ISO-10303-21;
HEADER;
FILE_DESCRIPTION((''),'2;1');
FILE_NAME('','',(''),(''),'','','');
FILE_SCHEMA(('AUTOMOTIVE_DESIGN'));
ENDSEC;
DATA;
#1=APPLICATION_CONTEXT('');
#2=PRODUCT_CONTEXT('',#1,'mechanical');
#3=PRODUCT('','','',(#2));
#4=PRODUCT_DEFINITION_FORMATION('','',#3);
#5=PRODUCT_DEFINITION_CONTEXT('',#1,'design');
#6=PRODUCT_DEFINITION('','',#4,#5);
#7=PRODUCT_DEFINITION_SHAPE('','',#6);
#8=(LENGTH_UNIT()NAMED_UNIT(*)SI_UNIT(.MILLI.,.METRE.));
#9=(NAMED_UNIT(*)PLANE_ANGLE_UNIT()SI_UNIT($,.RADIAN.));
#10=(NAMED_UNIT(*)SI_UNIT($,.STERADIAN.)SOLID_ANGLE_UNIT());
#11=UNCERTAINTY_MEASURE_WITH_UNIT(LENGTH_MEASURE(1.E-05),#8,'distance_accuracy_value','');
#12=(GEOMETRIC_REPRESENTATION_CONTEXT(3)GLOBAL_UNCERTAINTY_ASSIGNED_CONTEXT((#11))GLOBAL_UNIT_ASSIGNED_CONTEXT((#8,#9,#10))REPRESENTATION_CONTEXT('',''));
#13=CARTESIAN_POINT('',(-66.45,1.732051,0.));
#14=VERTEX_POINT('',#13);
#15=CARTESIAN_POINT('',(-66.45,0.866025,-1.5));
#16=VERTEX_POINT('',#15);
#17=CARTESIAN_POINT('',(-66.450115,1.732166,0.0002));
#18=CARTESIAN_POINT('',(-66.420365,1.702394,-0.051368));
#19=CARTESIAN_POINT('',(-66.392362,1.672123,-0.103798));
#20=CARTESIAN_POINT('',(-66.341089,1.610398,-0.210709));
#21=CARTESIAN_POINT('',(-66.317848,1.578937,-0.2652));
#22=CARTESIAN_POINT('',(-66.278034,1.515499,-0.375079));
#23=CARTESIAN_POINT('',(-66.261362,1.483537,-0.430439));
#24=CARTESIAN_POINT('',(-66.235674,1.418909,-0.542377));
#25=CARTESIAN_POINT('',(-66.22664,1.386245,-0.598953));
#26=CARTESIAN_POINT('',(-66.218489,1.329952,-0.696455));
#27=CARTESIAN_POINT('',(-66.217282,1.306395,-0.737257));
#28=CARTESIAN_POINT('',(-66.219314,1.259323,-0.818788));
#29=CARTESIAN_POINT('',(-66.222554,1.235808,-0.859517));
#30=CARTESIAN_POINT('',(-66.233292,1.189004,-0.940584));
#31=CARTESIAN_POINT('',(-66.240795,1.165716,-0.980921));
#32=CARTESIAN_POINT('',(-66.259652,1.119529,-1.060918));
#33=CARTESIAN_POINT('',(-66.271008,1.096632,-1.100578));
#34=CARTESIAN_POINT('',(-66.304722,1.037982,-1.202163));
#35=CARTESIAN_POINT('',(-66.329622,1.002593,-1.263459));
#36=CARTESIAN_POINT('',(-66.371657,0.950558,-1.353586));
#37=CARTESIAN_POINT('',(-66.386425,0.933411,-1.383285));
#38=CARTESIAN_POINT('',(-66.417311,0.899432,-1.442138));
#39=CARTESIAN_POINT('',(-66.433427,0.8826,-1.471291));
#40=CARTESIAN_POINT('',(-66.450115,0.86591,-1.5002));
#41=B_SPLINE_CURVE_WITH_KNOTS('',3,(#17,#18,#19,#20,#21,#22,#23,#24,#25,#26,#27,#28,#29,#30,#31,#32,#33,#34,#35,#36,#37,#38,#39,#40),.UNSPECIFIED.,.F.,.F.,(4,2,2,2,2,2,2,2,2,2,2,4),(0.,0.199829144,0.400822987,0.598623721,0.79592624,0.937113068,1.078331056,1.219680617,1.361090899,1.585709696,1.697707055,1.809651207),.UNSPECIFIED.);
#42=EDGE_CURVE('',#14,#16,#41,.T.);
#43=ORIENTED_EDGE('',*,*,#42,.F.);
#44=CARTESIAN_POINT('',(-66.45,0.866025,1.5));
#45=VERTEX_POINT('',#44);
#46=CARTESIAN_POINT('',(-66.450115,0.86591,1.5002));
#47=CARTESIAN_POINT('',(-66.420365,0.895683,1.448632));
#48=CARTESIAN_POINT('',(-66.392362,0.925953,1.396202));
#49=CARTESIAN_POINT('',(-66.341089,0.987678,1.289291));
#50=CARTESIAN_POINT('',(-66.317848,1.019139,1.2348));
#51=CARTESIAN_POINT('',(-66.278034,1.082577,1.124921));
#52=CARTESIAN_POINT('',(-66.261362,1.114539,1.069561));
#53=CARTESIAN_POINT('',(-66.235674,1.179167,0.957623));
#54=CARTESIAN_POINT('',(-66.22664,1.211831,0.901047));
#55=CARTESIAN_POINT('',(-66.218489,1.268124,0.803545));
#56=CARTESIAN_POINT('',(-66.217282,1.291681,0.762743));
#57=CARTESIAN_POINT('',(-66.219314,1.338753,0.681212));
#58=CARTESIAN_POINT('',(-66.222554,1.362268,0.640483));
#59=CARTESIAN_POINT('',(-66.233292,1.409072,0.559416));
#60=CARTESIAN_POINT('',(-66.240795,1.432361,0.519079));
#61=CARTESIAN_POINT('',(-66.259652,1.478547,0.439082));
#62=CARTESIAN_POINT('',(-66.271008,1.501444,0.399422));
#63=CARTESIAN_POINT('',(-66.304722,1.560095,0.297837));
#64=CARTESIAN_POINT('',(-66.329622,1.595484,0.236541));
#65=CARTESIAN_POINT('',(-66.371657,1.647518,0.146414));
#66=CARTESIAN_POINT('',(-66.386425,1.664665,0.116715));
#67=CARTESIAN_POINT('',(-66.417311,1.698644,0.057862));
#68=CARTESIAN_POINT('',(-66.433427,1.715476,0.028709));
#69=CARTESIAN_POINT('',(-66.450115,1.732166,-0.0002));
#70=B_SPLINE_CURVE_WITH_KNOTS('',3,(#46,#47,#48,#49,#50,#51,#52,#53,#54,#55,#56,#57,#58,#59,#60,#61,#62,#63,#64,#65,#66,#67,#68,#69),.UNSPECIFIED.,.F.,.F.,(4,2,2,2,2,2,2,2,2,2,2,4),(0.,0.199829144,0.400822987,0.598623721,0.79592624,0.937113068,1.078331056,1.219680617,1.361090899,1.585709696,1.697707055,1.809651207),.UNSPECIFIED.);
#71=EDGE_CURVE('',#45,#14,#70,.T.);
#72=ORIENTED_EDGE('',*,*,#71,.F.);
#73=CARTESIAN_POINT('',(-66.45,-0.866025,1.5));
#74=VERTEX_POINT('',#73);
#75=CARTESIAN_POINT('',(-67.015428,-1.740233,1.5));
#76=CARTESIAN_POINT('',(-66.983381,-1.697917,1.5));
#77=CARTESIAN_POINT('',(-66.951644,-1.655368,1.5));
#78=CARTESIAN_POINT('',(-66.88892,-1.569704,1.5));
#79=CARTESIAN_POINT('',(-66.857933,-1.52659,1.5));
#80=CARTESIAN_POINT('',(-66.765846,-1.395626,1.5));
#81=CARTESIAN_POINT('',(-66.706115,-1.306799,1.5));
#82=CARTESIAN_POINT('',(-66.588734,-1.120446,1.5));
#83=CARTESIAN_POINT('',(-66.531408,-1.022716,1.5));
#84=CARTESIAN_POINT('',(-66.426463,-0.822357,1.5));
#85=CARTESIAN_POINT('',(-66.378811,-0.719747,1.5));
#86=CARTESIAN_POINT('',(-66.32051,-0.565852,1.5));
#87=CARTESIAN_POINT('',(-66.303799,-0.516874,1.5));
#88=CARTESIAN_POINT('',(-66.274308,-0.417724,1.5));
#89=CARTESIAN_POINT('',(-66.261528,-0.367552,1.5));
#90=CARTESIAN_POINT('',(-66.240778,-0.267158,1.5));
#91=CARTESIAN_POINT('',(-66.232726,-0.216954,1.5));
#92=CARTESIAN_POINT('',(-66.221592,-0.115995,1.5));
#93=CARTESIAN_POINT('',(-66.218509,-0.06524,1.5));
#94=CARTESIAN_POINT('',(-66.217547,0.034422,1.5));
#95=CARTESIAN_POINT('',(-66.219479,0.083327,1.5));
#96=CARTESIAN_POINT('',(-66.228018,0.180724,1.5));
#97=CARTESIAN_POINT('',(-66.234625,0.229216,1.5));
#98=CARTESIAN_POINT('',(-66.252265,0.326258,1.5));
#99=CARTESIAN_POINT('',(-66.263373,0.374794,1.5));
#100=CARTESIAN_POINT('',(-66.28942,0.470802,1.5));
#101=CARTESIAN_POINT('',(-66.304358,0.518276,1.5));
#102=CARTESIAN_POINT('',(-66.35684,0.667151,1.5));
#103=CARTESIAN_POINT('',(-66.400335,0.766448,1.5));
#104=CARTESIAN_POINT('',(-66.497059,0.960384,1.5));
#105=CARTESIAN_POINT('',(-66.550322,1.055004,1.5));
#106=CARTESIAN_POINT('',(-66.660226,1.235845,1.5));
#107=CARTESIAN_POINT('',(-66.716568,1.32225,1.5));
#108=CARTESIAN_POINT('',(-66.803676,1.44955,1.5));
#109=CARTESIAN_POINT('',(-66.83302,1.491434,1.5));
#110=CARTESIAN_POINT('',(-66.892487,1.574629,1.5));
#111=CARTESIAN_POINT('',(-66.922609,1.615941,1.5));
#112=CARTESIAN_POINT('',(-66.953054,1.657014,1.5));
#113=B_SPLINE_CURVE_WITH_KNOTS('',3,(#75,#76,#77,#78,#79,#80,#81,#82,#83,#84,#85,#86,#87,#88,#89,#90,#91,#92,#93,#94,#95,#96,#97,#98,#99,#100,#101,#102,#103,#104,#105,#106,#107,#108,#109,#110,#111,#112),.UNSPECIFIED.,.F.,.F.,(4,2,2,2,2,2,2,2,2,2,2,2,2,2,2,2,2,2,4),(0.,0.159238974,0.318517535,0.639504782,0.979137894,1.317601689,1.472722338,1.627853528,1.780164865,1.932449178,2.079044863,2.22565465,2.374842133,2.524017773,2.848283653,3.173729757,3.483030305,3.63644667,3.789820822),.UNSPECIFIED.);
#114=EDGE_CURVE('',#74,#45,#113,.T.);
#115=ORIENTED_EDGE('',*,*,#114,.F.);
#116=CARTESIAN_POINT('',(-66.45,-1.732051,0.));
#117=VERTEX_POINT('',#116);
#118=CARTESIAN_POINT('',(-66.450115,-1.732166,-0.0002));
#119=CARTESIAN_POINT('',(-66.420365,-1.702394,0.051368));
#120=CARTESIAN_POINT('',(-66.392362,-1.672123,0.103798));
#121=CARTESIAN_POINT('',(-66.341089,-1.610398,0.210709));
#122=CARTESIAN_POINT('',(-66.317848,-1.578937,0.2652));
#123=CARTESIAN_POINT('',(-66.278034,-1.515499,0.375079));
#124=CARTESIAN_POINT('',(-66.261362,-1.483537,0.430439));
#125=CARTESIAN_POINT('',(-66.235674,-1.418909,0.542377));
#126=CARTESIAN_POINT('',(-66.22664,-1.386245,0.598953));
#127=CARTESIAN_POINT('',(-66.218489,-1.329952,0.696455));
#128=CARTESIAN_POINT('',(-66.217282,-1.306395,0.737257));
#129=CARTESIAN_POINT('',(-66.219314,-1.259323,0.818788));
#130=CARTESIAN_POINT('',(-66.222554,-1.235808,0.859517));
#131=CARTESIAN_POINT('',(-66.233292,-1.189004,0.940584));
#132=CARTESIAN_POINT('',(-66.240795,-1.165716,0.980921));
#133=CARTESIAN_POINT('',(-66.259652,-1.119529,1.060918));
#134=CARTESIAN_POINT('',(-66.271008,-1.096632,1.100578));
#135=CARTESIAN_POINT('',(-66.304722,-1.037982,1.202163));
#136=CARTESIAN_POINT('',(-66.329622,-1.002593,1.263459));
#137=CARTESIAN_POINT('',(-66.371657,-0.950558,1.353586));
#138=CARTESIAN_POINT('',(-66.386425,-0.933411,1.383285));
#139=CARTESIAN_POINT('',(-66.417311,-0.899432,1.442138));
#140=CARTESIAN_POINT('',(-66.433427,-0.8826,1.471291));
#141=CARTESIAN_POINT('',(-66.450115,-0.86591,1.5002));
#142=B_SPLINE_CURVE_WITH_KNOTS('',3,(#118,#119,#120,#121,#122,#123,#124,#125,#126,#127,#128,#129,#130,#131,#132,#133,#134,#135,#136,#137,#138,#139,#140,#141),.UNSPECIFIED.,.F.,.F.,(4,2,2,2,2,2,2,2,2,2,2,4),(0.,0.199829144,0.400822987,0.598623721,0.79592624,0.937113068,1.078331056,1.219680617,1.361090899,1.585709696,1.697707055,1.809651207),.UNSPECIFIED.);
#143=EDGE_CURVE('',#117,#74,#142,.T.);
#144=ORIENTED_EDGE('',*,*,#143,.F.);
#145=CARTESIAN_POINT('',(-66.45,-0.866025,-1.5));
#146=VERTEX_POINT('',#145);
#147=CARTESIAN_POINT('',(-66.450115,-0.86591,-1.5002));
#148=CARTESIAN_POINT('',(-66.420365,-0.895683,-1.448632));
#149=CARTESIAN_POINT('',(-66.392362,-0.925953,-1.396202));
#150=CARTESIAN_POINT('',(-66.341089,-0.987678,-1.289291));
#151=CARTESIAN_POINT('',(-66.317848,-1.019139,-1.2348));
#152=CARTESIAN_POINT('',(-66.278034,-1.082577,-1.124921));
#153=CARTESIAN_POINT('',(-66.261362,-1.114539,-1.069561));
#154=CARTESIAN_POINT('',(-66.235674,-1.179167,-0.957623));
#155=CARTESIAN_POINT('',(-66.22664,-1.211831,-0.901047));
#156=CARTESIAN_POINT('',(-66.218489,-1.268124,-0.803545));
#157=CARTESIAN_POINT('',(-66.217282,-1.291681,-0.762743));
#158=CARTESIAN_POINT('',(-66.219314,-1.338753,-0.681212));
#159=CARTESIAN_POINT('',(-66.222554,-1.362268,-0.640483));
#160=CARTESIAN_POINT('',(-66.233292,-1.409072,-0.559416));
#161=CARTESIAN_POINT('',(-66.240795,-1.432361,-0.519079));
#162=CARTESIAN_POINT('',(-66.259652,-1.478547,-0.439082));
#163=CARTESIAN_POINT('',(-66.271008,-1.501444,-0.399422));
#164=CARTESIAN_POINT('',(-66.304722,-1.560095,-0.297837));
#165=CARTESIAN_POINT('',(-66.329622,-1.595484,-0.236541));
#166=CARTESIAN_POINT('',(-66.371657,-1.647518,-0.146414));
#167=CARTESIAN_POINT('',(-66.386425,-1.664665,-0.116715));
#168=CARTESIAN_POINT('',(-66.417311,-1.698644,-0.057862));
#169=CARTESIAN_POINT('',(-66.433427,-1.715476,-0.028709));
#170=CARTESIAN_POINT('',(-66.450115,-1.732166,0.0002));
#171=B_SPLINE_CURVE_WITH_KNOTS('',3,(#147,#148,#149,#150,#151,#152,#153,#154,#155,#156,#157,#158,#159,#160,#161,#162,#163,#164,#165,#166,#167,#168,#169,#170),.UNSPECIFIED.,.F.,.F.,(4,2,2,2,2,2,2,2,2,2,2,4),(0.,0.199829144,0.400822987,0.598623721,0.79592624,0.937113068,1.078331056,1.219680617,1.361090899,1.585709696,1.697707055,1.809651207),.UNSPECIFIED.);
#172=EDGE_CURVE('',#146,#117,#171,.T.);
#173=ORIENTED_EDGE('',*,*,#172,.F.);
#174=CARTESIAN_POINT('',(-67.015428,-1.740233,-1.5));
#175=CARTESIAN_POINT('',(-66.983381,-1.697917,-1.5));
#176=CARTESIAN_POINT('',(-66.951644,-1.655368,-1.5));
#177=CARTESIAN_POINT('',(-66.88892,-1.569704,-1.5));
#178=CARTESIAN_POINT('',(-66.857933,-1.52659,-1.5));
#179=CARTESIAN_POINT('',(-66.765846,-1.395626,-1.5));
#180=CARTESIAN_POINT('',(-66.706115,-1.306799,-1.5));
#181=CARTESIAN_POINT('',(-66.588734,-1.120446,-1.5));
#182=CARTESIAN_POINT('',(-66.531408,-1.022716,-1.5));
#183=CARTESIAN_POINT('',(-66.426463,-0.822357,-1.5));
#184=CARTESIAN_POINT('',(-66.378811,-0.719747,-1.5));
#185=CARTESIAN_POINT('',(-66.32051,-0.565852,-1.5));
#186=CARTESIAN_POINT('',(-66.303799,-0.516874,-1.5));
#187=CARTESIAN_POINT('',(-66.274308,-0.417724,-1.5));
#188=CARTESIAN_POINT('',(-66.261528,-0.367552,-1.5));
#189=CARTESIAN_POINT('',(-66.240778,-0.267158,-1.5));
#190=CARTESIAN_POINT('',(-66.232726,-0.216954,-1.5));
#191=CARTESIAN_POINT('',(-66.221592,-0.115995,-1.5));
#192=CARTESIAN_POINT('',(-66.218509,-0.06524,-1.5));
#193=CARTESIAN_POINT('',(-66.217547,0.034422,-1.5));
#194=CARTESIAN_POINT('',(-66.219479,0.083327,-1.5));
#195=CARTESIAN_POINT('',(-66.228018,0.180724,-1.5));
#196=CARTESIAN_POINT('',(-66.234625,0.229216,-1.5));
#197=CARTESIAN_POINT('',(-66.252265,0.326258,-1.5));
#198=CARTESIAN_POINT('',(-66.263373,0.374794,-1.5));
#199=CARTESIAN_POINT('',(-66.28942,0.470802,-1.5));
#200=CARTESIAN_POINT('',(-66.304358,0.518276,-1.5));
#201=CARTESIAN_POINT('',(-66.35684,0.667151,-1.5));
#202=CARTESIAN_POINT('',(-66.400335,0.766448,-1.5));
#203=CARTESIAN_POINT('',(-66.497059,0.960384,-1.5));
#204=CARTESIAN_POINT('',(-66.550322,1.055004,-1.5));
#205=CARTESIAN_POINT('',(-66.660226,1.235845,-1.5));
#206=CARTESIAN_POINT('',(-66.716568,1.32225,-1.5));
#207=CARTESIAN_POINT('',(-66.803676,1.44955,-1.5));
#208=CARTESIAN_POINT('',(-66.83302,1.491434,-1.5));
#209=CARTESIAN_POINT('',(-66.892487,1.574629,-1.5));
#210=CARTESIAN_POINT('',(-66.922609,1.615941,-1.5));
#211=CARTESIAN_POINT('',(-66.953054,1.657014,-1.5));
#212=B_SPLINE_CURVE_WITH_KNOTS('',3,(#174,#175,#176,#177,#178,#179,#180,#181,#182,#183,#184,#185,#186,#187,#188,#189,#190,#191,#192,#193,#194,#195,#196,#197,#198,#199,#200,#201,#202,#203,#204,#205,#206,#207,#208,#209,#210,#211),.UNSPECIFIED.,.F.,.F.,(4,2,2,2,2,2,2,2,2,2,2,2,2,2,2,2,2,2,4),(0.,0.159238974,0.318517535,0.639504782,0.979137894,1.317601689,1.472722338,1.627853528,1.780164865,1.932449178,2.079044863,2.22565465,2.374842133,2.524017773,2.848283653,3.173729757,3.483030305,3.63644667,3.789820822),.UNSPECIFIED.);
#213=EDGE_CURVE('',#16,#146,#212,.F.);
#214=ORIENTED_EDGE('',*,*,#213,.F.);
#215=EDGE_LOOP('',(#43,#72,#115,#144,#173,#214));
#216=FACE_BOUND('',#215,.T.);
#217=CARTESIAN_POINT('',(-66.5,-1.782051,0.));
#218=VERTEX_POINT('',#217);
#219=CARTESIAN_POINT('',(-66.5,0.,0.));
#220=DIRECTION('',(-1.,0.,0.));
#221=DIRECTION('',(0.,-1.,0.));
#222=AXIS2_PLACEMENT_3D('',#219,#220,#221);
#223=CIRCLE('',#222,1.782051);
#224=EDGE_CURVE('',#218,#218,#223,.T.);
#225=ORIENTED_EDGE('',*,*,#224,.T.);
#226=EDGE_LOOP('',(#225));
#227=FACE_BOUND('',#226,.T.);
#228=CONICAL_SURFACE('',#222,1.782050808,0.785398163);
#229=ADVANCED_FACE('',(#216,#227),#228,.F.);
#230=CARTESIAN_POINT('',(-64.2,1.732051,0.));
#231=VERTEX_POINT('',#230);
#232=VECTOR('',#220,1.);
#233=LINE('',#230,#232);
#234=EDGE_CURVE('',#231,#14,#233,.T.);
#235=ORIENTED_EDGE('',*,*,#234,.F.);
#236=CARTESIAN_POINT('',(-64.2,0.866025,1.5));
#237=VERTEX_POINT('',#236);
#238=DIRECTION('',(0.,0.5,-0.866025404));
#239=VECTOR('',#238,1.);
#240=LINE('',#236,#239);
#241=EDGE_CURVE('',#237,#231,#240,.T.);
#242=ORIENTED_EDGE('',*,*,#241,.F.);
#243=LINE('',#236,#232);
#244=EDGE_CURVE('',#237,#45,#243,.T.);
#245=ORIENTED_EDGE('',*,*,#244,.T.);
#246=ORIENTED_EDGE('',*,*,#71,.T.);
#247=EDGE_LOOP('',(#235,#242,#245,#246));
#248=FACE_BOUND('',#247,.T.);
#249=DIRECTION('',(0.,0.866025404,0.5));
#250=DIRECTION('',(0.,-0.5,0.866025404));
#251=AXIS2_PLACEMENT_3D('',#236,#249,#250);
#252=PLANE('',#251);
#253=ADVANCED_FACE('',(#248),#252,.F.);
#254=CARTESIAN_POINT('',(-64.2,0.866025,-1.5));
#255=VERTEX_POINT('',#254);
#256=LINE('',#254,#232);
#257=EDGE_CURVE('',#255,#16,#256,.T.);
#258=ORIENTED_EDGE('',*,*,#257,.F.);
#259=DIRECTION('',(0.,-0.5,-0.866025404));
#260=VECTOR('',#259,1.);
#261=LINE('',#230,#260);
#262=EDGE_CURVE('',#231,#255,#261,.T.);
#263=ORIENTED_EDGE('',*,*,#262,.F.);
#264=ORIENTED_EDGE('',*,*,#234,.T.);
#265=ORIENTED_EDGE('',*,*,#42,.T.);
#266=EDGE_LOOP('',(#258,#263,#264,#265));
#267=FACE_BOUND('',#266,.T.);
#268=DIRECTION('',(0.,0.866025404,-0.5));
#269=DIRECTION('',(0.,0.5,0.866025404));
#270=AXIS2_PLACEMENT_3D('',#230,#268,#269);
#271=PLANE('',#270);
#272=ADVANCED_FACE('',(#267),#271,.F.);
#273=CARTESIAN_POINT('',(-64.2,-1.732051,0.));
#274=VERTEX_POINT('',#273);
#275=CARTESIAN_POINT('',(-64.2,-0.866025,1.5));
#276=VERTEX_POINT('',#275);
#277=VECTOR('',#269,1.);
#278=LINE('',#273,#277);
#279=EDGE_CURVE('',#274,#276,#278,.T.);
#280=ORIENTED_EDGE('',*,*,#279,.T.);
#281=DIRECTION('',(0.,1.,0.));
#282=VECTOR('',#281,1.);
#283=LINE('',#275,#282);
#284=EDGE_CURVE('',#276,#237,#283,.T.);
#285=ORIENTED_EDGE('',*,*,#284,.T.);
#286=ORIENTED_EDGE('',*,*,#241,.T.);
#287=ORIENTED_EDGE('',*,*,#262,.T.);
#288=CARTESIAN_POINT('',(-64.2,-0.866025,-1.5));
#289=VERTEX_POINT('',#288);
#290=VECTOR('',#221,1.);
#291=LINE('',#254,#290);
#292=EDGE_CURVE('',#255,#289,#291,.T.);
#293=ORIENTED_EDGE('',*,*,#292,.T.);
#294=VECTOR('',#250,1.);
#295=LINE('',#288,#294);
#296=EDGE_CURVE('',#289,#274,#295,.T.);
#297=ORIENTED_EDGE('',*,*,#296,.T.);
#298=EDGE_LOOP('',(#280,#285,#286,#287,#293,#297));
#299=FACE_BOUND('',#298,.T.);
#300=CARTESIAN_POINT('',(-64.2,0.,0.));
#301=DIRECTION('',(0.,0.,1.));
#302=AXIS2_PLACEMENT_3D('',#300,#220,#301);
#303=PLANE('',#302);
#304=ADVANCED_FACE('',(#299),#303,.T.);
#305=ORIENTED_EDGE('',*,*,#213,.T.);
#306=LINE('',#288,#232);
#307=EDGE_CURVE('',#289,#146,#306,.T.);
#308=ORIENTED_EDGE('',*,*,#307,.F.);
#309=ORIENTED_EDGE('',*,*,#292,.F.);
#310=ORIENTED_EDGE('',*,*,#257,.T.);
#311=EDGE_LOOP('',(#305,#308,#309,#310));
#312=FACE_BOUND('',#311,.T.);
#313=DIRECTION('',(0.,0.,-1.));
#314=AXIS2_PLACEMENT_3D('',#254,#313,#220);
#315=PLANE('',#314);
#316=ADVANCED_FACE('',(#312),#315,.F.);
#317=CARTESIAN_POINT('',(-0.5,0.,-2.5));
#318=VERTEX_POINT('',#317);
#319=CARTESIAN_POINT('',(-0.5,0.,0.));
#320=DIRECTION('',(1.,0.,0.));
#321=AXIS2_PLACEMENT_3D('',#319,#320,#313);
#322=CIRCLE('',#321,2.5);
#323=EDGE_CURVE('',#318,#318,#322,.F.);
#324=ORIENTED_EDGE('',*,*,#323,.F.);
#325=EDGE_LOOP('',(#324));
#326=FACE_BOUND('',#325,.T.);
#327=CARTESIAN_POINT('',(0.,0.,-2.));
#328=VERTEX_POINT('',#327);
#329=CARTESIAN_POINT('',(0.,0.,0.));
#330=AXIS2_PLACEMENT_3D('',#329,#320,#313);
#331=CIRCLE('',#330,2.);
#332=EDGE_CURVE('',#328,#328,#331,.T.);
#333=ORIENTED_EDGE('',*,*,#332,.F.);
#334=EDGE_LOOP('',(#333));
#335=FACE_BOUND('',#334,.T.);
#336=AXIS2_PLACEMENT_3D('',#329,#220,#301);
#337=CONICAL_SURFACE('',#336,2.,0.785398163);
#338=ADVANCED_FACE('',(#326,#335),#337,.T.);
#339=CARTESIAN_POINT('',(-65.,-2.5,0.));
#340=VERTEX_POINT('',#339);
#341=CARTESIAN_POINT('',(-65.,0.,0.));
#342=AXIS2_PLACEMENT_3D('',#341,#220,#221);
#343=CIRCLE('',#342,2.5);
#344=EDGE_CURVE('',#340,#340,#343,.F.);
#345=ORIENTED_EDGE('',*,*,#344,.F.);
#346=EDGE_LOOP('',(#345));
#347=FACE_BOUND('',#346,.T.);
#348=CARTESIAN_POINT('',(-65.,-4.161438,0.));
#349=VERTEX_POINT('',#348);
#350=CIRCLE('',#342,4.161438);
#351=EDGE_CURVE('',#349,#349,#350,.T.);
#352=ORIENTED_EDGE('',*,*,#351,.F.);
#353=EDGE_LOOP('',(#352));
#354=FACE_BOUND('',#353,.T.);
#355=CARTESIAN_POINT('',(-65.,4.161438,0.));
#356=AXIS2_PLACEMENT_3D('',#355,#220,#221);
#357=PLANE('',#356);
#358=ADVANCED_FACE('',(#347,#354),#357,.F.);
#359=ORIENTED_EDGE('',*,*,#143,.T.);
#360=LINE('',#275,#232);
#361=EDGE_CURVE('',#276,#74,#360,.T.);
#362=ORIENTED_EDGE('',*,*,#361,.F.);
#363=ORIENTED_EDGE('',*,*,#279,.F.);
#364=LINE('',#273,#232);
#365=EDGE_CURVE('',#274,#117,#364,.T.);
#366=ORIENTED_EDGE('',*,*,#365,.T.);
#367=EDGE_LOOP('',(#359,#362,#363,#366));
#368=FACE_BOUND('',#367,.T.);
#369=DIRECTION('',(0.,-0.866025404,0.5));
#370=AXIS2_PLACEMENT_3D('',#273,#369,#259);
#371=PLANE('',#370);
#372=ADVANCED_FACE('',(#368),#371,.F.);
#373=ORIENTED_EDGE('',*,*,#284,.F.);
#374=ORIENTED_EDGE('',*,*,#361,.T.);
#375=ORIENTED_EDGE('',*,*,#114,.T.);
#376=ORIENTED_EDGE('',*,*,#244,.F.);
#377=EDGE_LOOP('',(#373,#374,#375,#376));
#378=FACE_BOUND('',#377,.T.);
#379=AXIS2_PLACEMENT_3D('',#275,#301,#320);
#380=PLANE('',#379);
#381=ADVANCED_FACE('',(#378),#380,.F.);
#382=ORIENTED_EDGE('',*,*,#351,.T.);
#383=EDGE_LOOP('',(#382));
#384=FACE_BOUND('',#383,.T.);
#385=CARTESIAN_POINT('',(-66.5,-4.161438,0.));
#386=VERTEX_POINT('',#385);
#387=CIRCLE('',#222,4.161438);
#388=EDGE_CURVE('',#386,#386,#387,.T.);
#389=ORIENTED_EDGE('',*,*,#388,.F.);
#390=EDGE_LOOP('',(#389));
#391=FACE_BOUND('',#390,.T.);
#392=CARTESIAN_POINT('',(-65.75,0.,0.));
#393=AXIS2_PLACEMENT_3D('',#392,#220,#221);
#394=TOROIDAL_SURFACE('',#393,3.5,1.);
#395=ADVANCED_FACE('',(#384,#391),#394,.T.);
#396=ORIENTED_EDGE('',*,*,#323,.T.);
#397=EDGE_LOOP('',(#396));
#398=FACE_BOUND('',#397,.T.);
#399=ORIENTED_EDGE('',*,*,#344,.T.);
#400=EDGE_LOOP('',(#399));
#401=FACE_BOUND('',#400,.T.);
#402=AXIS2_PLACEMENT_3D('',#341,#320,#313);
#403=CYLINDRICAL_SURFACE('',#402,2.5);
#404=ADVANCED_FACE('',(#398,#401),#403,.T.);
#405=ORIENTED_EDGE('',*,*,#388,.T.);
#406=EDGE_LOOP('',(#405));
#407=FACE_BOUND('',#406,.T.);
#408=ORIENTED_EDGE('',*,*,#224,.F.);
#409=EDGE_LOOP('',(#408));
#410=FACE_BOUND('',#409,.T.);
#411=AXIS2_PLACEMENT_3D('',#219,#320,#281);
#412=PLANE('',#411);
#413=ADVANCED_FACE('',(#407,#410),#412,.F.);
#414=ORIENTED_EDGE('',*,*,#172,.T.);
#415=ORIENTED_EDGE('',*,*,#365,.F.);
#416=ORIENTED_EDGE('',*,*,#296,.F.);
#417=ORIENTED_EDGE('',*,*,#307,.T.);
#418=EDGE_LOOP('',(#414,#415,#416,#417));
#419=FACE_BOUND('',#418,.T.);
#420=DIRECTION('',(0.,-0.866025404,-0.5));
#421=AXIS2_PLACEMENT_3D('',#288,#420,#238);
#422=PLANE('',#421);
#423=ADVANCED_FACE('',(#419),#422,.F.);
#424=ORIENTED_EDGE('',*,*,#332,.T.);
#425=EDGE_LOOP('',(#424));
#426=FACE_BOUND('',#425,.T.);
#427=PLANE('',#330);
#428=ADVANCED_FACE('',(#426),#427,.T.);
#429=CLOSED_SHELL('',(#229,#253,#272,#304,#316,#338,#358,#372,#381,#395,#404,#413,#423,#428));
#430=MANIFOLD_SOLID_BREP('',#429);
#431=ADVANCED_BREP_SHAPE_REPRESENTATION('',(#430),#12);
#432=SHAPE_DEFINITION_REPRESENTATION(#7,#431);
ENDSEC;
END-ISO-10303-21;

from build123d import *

# Parameters (mm, degrees)
SKETCH2_R           = 2.5
BOSS_EXTRUDE1_DEPTH = 65
CHAMFER1_SIZE       = 0.5
CUT_EXTRUDE1_DEPTH  = 2.3
SKETCH8_R           = 1.782050808
CUT_EXTRUDE2_DEPTH  = 1
CUT_EXTRUDE2_TAPER  = 45


with BuildPart() as part:
    # Sketch2 → Boss-Extrude1 (new body)
    with BuildSketch(Plane(origin=(0, 0, 0), x_dir=(0, 0, -1), z_dir=(1, 0, 0))):
        Circle(SKETCH2_R)
    extrude(amount=-BOSS_EXTRUDE1_DEPTH)

    # Chamfer1
    chamfer1_edges = [part.edges().sort_by_distance(p)[0] for p in [
        (0, 0, 2.5),
    ]]
    chamfer(chamfer1_edges, length=CHAMFER1_SIZE)

    # Sketch6 → Revolve1 (revolve)
    with BuildSketch(Plane.XY):
        with BuildLine():
            Line((-66.5, 0), (-66.5, 4.161437828))
            ThreePointArc((-66.5, 4.161437828), (-65.75, 4.5), (-65, 4.161437828))
            Line((-65, 4.161437828), (-65, 0))
            Line((-65, 0), (-66.5, 0))
        make_face()
    revolve(axis=Axis((-65, 0, 0), (1, 0, 0)))

    # Sketch7 → Cut-Extrude1 (cut)
    with BuildSketch(Plane.ZY.offset(66.5)):
        Polygon((0, 1.732050808), (-1.5, 0.866025404), (-1.5, -0.866025404), (0, -1.732050808), (1.5, -0.866025404), (1.5, 0.866025404), align=None)
    extrude(amount=-CUT_EXTRUDE1_DEPTH, mode=Mode.SUBTRACT)

    # Sketch8 → Cut-Extrude2 (cut)
    with BuildSketch(Plane.ZY.offset(66.5)):
        Circle(SKETCH8_R)
    extrude(amount=-CUT_EXTRUDE2_DEPTH, taper=CUT_EXTRUDE2_TAPER, mode=Mode.SUBTRACT)


solid = part.part
